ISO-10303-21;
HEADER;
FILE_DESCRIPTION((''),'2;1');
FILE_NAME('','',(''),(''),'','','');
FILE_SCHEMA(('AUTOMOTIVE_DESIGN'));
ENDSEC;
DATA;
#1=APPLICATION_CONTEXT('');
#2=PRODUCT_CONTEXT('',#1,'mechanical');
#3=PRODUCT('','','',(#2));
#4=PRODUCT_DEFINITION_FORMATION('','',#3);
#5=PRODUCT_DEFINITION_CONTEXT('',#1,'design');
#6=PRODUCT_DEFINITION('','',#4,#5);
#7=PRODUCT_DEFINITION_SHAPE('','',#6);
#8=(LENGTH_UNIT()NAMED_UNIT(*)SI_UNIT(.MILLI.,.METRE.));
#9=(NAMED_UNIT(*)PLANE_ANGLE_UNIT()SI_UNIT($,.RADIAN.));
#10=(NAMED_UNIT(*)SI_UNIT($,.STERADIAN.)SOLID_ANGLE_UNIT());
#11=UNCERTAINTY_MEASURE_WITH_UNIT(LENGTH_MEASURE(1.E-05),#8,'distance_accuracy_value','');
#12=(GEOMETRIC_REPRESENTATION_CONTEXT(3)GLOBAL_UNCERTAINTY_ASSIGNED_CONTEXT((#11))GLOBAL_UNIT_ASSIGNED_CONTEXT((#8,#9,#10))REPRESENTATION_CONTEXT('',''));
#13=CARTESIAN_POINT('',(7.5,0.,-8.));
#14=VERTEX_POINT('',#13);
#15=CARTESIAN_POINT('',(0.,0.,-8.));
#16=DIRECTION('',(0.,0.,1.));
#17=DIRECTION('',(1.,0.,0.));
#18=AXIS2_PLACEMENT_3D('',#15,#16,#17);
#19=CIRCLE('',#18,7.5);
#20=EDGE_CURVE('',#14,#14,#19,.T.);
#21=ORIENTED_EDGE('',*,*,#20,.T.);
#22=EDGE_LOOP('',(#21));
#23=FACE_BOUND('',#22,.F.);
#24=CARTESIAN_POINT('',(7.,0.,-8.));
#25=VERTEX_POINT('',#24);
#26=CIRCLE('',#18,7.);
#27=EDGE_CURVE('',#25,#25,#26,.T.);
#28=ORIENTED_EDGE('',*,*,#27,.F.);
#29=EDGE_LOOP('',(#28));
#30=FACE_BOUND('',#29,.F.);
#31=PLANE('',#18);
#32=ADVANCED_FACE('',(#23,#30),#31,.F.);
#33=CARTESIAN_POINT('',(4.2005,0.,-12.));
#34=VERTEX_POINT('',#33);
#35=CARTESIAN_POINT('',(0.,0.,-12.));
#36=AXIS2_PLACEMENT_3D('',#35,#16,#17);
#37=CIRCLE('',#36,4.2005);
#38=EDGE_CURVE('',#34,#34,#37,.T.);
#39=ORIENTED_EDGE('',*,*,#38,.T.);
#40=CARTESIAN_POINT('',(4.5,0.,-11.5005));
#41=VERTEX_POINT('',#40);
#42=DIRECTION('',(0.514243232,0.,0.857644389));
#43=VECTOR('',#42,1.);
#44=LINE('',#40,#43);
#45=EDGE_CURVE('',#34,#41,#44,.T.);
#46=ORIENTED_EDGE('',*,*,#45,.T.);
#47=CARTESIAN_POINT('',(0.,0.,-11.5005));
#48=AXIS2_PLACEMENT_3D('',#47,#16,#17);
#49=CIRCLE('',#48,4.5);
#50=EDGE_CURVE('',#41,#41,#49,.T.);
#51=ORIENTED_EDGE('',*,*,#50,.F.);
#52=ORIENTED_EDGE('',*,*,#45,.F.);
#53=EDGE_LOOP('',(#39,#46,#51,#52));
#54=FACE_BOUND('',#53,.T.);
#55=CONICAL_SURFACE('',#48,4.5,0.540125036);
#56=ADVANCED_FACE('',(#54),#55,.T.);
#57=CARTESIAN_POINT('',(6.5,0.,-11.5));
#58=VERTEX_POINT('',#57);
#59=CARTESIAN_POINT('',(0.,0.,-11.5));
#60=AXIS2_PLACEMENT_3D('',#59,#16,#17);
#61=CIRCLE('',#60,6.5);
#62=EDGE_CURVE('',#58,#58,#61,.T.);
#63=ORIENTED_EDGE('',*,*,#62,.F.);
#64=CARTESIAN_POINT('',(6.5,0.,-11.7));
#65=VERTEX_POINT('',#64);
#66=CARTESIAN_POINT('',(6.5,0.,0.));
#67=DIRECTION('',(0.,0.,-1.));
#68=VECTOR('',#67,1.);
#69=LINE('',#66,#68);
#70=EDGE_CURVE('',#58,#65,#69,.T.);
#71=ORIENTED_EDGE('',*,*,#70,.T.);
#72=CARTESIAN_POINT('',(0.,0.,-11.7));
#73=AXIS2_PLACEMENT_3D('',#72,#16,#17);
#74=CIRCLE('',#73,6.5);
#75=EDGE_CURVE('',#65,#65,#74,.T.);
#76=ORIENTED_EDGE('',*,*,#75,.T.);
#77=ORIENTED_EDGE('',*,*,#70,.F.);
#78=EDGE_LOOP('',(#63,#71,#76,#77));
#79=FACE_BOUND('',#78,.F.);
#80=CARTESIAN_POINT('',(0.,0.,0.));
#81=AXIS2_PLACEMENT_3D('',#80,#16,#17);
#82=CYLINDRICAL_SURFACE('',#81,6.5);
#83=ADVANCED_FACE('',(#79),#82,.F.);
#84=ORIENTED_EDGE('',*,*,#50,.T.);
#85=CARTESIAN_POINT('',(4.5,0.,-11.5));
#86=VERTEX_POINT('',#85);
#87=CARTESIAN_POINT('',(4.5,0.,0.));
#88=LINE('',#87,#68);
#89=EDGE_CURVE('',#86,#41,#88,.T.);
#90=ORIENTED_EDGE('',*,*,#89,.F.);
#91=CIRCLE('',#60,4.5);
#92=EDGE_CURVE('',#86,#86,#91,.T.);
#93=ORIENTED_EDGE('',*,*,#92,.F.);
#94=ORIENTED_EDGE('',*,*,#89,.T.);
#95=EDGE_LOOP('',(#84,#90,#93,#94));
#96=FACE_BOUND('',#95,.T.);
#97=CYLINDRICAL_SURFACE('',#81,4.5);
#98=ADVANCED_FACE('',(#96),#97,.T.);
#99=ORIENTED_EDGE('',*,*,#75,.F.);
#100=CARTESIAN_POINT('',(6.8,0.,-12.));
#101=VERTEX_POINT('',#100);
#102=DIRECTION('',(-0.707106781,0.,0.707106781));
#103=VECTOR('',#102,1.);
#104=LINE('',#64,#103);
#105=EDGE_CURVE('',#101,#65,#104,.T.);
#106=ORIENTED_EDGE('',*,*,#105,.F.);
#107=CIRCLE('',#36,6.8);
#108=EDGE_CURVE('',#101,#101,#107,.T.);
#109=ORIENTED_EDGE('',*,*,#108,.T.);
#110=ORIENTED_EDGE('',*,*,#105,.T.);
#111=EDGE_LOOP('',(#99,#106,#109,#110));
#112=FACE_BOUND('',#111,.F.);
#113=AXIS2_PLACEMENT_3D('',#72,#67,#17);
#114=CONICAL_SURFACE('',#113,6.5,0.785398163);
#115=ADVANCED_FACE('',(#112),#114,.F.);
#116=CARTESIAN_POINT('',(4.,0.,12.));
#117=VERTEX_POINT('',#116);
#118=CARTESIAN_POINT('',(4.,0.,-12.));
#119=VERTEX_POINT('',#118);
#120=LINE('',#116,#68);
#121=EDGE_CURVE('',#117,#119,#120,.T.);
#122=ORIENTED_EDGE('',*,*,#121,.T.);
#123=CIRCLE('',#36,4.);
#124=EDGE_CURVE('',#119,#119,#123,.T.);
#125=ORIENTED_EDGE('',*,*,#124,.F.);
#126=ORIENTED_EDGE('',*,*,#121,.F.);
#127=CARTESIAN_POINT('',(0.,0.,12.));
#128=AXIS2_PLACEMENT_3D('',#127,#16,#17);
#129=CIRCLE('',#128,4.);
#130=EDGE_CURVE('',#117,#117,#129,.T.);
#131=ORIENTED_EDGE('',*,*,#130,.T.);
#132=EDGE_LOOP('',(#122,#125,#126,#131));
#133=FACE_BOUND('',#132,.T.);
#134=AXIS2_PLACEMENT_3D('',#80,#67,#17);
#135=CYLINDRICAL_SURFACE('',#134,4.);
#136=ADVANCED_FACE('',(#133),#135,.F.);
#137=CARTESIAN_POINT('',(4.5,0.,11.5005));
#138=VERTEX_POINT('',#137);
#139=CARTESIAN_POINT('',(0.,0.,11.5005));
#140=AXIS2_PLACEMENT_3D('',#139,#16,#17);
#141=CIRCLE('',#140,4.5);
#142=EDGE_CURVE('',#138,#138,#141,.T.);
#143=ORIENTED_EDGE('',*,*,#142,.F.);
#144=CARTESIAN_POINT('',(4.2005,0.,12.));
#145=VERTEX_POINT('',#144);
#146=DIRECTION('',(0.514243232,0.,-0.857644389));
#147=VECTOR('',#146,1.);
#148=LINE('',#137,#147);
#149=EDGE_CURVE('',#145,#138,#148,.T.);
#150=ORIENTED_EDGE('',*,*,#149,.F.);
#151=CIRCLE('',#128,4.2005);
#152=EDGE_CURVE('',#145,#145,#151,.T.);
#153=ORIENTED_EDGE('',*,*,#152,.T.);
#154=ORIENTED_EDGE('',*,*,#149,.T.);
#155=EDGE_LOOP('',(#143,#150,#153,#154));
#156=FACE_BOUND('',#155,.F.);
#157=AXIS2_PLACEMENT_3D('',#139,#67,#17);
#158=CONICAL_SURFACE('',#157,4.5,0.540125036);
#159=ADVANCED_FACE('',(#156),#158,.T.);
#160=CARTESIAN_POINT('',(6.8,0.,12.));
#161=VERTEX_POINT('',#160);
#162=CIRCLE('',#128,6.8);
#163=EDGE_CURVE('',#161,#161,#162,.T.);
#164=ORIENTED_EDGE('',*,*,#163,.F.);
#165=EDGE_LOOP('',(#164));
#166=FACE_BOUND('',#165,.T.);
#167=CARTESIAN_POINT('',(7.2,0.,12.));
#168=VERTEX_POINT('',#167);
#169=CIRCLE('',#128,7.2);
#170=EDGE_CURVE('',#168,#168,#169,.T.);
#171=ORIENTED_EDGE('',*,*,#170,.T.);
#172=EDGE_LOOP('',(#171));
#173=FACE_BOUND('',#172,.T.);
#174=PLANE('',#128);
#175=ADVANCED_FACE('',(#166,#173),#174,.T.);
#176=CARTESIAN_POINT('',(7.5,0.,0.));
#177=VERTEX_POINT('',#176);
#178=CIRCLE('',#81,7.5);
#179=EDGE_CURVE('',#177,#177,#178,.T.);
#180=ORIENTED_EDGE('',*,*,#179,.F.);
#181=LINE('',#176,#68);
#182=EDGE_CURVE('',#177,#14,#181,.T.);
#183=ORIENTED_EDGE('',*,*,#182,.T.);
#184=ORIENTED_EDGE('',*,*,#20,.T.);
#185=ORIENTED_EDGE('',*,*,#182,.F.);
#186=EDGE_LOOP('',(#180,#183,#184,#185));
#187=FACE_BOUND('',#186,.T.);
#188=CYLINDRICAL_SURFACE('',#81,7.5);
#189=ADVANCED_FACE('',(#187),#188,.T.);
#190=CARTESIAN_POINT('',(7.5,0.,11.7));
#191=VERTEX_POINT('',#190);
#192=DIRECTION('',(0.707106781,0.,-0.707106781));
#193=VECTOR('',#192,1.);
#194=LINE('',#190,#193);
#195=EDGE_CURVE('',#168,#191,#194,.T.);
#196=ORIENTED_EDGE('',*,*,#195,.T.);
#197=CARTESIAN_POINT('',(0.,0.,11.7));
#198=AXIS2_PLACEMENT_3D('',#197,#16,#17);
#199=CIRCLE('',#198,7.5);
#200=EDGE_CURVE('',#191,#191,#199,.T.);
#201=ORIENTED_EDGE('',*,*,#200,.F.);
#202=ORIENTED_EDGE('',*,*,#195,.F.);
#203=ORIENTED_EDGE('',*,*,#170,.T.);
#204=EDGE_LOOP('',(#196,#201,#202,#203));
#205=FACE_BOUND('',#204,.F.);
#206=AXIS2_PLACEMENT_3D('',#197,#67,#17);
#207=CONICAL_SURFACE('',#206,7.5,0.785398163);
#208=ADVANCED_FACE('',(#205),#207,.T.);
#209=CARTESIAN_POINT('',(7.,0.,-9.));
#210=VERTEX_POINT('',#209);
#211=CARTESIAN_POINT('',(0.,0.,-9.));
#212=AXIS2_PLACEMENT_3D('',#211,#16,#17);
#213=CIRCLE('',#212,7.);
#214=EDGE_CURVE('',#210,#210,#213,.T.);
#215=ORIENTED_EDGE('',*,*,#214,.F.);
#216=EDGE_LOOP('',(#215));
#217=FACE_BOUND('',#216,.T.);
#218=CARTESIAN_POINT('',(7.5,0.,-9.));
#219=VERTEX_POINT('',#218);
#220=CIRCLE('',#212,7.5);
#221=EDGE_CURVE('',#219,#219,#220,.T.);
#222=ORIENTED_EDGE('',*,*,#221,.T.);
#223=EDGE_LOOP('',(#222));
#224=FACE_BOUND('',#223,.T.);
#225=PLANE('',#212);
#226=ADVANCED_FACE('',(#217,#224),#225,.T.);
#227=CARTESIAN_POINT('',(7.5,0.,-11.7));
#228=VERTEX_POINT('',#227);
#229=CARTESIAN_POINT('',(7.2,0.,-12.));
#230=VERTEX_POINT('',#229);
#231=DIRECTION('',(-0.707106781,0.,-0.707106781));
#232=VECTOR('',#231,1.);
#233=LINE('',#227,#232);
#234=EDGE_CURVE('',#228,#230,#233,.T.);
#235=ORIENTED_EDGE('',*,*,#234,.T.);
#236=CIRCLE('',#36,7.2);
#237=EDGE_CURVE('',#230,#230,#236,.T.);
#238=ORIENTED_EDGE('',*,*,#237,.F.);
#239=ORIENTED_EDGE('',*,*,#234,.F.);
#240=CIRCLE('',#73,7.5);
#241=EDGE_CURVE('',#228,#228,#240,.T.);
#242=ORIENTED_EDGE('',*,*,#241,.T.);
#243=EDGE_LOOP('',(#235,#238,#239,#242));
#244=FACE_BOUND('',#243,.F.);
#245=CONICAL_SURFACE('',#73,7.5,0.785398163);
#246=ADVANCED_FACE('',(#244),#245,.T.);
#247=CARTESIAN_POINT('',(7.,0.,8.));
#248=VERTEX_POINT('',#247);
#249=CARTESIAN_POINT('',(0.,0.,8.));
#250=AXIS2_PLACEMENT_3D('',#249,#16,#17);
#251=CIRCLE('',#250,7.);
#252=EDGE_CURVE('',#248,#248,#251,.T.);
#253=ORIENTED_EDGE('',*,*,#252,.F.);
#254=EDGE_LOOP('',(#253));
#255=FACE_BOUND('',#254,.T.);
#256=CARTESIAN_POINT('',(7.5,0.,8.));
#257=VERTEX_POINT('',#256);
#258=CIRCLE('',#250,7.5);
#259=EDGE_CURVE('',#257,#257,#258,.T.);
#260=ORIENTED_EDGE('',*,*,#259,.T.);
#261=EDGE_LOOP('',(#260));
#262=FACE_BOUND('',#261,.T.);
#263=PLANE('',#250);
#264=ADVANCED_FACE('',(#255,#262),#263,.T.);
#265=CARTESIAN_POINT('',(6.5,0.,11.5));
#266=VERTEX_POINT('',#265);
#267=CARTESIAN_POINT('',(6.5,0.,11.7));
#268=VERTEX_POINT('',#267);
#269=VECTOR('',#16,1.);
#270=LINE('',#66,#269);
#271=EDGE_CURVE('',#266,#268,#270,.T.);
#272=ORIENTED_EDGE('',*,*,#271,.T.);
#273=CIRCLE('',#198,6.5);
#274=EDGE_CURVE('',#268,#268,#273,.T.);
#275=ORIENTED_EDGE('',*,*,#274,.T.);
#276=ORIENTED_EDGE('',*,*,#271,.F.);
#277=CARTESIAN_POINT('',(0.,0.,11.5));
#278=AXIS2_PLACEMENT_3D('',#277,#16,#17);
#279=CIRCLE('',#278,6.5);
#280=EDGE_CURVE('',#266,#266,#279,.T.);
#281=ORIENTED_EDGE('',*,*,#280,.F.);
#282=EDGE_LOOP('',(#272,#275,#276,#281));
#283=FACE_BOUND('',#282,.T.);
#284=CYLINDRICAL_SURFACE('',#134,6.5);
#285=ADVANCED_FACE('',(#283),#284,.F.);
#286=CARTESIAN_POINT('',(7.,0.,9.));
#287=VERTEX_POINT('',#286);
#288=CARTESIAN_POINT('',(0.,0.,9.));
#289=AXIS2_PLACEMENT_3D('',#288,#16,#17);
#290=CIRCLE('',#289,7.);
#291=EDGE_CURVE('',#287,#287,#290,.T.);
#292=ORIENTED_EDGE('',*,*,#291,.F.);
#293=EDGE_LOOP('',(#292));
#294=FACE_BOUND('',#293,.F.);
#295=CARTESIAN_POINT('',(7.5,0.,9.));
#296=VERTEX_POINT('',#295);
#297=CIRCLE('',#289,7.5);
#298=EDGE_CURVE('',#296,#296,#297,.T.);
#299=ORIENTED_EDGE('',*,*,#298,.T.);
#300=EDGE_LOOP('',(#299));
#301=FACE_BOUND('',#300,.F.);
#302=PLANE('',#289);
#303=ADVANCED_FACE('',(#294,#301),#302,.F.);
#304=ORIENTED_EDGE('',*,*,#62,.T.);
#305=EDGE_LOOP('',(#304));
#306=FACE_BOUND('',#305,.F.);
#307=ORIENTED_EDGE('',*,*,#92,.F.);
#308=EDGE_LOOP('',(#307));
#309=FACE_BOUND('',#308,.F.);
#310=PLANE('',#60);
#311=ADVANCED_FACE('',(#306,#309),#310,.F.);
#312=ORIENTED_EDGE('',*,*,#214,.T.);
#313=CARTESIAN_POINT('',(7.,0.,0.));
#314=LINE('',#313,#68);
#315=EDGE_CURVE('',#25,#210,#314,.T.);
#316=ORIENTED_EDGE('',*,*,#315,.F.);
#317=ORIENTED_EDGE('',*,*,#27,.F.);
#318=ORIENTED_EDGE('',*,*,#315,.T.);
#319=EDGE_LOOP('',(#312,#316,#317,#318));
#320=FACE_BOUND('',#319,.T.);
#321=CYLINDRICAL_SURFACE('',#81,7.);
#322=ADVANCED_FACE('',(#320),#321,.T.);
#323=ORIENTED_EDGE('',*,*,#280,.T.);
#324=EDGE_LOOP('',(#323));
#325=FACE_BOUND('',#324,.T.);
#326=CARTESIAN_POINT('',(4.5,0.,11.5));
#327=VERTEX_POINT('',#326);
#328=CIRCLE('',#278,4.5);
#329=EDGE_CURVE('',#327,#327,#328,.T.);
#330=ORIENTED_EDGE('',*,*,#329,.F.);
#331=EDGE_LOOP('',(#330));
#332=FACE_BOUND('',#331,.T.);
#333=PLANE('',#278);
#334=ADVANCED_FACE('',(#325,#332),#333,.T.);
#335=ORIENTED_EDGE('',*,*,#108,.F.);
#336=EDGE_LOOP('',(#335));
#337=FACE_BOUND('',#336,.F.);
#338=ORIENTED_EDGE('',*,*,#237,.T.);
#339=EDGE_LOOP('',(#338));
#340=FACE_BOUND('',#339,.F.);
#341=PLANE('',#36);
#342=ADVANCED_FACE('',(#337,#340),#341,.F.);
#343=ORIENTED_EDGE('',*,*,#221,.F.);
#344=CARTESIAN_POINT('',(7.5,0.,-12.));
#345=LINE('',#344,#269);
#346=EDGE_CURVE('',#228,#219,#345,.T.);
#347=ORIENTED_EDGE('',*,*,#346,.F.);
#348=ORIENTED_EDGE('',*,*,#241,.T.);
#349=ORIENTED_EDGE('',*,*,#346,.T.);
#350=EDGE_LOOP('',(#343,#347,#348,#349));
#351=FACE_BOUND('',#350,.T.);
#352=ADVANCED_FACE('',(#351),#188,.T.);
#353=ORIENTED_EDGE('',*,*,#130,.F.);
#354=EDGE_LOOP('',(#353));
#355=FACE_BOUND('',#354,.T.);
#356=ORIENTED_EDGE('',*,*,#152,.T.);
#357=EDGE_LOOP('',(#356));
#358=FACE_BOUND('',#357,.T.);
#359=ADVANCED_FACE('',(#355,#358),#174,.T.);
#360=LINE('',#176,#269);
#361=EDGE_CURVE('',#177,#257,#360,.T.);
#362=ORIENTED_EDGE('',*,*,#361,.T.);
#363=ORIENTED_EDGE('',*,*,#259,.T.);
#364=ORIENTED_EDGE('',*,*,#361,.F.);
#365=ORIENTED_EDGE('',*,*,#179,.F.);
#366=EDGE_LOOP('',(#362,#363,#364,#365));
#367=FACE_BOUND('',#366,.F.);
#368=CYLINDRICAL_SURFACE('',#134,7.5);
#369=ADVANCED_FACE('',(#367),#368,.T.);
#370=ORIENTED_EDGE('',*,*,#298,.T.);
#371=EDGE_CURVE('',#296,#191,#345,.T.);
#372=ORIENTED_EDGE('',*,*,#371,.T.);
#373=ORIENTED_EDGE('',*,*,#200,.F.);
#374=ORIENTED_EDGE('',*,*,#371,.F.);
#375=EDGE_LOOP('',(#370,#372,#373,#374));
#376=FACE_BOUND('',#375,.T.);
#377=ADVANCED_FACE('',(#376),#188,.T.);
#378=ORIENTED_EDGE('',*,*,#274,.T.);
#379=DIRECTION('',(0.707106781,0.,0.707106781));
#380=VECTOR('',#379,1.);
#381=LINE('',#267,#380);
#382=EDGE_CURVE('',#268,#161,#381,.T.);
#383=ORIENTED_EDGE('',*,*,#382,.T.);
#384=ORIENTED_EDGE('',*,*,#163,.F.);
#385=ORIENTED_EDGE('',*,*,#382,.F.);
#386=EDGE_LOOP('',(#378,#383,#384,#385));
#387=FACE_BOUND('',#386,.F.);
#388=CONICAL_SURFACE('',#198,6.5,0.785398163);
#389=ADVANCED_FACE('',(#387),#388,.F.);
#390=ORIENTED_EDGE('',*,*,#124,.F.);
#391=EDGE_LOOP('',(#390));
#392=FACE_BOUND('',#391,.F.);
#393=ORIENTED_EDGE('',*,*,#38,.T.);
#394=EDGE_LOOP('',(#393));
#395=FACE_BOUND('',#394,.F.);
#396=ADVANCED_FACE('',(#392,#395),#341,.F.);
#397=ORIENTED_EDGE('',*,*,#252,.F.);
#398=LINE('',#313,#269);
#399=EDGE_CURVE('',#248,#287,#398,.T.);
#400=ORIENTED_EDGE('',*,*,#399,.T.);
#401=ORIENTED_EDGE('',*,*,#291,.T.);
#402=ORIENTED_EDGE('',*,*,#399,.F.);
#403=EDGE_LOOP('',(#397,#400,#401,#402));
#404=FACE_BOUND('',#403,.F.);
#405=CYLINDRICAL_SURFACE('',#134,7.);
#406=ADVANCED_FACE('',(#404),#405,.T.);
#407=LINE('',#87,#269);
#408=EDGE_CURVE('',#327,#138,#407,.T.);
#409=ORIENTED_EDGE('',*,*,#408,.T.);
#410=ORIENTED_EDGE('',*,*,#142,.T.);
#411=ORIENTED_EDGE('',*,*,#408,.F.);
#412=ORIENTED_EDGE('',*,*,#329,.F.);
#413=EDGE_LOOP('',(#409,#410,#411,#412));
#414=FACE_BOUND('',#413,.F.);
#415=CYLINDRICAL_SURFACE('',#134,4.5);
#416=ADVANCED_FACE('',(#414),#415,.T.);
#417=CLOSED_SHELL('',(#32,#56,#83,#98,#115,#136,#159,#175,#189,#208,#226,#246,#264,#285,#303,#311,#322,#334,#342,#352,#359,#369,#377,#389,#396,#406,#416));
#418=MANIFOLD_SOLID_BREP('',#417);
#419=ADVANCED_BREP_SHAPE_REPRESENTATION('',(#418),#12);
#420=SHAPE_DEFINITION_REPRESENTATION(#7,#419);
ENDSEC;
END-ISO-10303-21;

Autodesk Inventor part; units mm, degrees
ref_plane "YZ Plane" through (0, 0, 0) normal (1, 0, 0) x (0, 1, 0)
ref_plane "XZ Plane" through (0, 0, 0) normal (0, 1, 0) x (-1, 0, 0)
ref_plane "XY Plane" through (0, 0, 0) normal (0, 0, 1) x (1, 0, 0)
sketch "Эскиз1" plane through (0, 0, 0) normal (0, 0, 1) x (1, 0, 0)
  circle A0 centre (0, 0) radius 4
  circle A1 centre (0, 0) radius 7.5
  circle A2 centre (0, 0) radius 6.5
  circle A3 centre (0, 0) radius 4.5
  circle A4 centre (0, 0) radius 7
  dimension "d0" = 8
  dimension "d1" = 15
  dimension "d2" = 1
  dimension "d3" = 0.5
  dimension "d25" = 0.5
extrude "Выдавливание1" add sketch "Эскиз1" along normal mid plane 24 contours A3
extrude "Выдавливание2" add sketch "Эскиз1" along normal mid plane 23 contours A2
extrude "Выдавливание3" add sketch "Эскиз1" along normal mid plane 24 contours A1 | A4
chamfer "Фаска1" distance 0.3 angle 45 1 edges at (-6.5, 0, 12)
chamfer "Фаска2" distance 0.3 angle 45 1 edges at (-7.5, 0, 12)
chamfer "Фаска3" distance 0.3 angle 45 2 edges at (-7.5, 0, -12) (-6.5, 0, -12)
chamfer "Фаска4" distance 0.3 distance2 0.5 1 edges at (-4.5, 0, -12) measured on face at (4.251, -0.6781, -12)
chamfer "Фаска5" distance 0.3 distance2 0.5 1 edges at (-4.5, 0, 12) measured on face at (4.251, -0.6781, 12)
extrude "Выдавливание4" cut sketch "Эскиз1" along normal mid plane 18 contours A1
extrude "Выдавливание5" add sketch "Эскиз1" along normal mid plane 16 contours A1
properties part number "линейный подшипник 8х15х24"
